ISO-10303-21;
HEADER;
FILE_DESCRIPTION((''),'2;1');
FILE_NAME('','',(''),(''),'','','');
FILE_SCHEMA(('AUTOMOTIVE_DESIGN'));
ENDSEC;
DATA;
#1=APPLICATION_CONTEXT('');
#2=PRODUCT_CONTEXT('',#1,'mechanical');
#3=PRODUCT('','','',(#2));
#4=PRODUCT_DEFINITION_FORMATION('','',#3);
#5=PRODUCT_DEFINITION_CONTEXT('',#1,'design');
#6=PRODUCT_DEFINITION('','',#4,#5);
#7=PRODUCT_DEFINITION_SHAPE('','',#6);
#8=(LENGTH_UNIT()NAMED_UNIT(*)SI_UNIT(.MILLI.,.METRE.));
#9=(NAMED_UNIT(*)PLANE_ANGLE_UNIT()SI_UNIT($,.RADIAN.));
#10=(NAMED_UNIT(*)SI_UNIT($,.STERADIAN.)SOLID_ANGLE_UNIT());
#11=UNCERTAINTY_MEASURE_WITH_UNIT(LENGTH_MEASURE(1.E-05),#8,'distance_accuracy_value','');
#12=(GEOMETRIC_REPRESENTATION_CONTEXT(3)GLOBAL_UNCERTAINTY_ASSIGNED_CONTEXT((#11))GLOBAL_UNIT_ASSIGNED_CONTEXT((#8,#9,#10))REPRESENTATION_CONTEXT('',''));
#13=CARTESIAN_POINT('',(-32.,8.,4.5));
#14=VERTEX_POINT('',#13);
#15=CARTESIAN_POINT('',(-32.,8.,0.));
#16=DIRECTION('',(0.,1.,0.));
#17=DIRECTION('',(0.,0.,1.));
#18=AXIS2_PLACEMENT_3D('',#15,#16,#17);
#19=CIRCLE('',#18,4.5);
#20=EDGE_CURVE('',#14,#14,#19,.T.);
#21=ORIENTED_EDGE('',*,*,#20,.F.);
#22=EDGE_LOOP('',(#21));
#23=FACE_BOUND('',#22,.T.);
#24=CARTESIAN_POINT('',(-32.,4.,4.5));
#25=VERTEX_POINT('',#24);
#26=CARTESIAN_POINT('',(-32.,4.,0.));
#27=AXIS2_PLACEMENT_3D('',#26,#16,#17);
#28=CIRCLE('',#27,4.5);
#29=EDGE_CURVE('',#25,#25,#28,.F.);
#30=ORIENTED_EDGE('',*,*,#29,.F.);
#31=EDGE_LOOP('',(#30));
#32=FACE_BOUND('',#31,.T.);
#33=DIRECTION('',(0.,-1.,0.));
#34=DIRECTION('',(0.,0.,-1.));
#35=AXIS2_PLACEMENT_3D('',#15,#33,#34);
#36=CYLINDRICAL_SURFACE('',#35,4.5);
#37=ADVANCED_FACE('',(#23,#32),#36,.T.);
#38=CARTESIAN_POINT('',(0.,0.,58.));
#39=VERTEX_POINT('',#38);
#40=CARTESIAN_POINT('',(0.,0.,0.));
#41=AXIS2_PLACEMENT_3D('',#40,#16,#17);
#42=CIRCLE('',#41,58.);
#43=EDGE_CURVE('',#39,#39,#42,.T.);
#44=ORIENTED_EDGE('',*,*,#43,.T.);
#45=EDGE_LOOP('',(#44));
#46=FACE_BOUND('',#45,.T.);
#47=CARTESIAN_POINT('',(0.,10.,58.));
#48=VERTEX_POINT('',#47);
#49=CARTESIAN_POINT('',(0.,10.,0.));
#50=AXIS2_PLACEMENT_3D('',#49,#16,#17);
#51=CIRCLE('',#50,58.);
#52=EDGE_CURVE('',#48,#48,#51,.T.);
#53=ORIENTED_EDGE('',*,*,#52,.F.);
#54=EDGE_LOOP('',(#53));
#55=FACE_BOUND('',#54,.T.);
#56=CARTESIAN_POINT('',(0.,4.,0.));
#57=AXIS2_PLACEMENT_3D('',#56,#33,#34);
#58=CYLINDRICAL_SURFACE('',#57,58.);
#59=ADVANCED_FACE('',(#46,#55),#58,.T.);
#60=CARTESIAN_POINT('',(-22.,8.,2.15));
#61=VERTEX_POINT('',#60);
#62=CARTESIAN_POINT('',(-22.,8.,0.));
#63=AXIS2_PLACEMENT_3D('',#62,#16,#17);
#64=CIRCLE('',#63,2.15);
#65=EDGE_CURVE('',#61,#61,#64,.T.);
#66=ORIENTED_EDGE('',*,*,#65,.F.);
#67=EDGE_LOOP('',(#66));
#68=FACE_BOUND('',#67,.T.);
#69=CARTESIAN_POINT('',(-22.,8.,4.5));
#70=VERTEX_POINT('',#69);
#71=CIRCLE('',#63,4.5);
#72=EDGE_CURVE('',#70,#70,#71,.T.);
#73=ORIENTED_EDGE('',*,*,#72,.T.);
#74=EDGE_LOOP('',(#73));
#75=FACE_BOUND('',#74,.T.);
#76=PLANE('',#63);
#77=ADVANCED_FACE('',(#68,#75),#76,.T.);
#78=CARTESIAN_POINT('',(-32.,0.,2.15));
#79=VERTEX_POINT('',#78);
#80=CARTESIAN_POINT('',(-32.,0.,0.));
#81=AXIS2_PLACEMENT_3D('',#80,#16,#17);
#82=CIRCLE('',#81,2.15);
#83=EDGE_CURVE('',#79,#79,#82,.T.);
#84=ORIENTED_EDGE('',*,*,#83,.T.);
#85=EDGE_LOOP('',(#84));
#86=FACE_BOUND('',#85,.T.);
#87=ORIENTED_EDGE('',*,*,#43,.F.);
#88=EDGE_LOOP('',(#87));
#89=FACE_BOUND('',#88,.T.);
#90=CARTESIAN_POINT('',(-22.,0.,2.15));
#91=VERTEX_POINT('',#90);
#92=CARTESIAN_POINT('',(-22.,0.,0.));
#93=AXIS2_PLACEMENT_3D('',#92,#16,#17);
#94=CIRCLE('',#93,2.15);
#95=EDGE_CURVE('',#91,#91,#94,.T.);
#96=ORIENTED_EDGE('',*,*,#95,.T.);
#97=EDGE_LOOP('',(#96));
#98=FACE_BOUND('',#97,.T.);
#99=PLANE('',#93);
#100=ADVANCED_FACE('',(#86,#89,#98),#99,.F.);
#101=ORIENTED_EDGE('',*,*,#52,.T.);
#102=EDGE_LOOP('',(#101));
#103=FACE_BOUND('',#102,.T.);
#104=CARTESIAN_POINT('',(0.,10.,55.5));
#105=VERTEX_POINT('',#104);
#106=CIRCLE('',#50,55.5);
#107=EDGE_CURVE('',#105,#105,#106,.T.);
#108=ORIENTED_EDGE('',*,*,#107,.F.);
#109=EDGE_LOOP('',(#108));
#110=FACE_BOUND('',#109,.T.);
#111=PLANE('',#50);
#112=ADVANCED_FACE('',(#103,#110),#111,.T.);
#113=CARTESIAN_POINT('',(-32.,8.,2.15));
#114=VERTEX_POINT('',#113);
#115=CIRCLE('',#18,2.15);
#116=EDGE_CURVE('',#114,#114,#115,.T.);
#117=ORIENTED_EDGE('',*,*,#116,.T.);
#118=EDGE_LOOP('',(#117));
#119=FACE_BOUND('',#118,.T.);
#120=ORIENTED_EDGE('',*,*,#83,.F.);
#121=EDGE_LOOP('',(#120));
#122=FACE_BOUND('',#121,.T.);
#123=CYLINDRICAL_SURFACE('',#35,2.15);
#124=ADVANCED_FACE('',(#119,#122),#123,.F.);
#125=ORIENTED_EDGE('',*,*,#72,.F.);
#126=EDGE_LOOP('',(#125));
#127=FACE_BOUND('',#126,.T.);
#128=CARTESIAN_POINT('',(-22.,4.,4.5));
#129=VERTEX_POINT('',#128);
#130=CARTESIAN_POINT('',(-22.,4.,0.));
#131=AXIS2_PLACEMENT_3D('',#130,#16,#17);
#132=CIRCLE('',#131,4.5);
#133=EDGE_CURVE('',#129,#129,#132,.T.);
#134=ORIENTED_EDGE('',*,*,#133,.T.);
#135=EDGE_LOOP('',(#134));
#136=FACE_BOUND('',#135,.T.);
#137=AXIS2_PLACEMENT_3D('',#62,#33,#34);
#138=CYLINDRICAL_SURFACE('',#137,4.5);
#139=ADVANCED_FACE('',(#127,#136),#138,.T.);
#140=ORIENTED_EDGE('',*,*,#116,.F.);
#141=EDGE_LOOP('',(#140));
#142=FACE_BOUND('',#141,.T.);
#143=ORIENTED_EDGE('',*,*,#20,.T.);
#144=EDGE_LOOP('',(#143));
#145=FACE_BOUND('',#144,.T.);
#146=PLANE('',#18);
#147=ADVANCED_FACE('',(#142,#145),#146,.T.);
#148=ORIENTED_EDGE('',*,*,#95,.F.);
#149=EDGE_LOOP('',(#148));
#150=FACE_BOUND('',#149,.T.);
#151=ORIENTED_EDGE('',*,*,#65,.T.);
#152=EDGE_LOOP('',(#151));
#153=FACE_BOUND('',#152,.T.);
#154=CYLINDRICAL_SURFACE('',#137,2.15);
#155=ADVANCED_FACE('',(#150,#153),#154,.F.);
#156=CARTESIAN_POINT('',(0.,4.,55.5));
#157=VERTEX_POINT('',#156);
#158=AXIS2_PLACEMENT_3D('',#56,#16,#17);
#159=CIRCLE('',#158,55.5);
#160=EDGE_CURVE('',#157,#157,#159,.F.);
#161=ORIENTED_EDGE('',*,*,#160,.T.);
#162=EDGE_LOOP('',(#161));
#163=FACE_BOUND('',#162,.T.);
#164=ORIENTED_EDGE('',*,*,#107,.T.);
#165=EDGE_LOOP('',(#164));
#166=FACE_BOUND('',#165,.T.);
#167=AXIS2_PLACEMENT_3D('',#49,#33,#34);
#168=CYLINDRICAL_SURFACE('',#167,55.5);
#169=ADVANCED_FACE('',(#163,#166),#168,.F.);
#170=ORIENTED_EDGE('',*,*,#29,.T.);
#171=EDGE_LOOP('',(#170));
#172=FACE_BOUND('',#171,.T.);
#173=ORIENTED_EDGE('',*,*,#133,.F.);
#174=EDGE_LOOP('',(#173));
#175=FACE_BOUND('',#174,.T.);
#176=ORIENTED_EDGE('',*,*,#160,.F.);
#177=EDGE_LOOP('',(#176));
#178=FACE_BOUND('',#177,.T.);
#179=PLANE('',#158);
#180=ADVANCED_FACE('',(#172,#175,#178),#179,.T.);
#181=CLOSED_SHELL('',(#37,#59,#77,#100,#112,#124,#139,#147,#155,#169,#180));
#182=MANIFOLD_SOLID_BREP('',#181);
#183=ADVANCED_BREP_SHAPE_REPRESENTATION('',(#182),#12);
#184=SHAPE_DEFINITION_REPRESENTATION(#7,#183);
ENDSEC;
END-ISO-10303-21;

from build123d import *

# Parameters (mm, degrees)
SKETCH_1_R                       = 4.5
MOVING_POST_A_DEPTH              = 8
SKETCH_2_R                       = 58
CUP_PLATE_D116_T4_DEPTH          = 4
SKETCH_3_R                       = 4.5
MOVING_POST_B_DEPTH              = 8
SKETCH_4_R                       = 58
SKETCH_4_R_2                     = 55.5
DRIP_SKIRT_OD116_ID111_H10_DEPTH = 10
SKETCH_5_R                       = 2.15
M4_MOVING_MOUNT_CLEARANCE_DEPTH  = 8


with BuildPart() as part:
    # 草图1 → Moving_post_A (new body)
    with BuildSketch(Plane(origin=(0, 0, 0), x_dir=(1, 0, 0), z_dir=(0, 1, 0))):
        with Locations(Location((-22, 0, 0), (0, 0, 270))):
            Circle(SKETCH_1_R)
    extrude(amount=MOVING_POST_A_DEPTH)

    # 草图2 → Cup_plate_D116_T4 (add)
    with BuildSketch(Plane(origin=(0, 0, 0), x_dir=(1, 0, 0), z_dir=(0, 1, 0))):
        with Locations(Location((0, 0, 0), (0, 0, 270))):
            Circle(SKETCH_2_R)
    extrude(amount=CUP_PLATE_D116_T4_DEPTH)

    # 草图3 → Moving_post_B (add)
    with BuildSketch(Plane(origin=(0, 0, 0), x_dir=(1, 0, 0), z_dir=(0, 1, 0))):
        with Locations(Location((-32, 0, 0), (0, 0, 270))):
            Circle(SKETCH_3_R)
    extrude(amount=MOVING_POST_B_DEPTH)

    # 草图4 → Drip_skirt_OD116_ID111_H10 (add)
    with BuildSketch(Plane(origin=(0, 0, 0), x_dir=(1, 0, 0), z_dir=(0, 1, 0))):
        with Locations(Location((0, 0, 0), (0, 0, 270))):
            Circle(SKETCH_4_R)
        with Locations(Location((0, 0, 0), (0, 0, 270))):
            Circle(SKETCH_4_R_2, mode=Mode.SUBTRACT)
    extrude(amount=DRIP_SKIRT_OD116_ID111_H10_DEPTH)

    # 草图5 → M4_moving_mount_clearance (cut)
    with BuildSketch(Plane(origin=(0, 0, 0), x_dir=(1, 0, 0), z_dir=(0, 1, 0))):
        with Locations(Location((-22, 0, 0), (0, 0, 270))):
            Circle(SKETCH_5_R)
        with Locations(Location((-32, 0, 0), (0, 0, 270))):
            Circle(SKETCH_5_R)
    extrude(amount=M4_MOVING_MOUNT_CLEARANCE_DEPTH, mode=Mode.SUBTRACT)


solid = part.part
